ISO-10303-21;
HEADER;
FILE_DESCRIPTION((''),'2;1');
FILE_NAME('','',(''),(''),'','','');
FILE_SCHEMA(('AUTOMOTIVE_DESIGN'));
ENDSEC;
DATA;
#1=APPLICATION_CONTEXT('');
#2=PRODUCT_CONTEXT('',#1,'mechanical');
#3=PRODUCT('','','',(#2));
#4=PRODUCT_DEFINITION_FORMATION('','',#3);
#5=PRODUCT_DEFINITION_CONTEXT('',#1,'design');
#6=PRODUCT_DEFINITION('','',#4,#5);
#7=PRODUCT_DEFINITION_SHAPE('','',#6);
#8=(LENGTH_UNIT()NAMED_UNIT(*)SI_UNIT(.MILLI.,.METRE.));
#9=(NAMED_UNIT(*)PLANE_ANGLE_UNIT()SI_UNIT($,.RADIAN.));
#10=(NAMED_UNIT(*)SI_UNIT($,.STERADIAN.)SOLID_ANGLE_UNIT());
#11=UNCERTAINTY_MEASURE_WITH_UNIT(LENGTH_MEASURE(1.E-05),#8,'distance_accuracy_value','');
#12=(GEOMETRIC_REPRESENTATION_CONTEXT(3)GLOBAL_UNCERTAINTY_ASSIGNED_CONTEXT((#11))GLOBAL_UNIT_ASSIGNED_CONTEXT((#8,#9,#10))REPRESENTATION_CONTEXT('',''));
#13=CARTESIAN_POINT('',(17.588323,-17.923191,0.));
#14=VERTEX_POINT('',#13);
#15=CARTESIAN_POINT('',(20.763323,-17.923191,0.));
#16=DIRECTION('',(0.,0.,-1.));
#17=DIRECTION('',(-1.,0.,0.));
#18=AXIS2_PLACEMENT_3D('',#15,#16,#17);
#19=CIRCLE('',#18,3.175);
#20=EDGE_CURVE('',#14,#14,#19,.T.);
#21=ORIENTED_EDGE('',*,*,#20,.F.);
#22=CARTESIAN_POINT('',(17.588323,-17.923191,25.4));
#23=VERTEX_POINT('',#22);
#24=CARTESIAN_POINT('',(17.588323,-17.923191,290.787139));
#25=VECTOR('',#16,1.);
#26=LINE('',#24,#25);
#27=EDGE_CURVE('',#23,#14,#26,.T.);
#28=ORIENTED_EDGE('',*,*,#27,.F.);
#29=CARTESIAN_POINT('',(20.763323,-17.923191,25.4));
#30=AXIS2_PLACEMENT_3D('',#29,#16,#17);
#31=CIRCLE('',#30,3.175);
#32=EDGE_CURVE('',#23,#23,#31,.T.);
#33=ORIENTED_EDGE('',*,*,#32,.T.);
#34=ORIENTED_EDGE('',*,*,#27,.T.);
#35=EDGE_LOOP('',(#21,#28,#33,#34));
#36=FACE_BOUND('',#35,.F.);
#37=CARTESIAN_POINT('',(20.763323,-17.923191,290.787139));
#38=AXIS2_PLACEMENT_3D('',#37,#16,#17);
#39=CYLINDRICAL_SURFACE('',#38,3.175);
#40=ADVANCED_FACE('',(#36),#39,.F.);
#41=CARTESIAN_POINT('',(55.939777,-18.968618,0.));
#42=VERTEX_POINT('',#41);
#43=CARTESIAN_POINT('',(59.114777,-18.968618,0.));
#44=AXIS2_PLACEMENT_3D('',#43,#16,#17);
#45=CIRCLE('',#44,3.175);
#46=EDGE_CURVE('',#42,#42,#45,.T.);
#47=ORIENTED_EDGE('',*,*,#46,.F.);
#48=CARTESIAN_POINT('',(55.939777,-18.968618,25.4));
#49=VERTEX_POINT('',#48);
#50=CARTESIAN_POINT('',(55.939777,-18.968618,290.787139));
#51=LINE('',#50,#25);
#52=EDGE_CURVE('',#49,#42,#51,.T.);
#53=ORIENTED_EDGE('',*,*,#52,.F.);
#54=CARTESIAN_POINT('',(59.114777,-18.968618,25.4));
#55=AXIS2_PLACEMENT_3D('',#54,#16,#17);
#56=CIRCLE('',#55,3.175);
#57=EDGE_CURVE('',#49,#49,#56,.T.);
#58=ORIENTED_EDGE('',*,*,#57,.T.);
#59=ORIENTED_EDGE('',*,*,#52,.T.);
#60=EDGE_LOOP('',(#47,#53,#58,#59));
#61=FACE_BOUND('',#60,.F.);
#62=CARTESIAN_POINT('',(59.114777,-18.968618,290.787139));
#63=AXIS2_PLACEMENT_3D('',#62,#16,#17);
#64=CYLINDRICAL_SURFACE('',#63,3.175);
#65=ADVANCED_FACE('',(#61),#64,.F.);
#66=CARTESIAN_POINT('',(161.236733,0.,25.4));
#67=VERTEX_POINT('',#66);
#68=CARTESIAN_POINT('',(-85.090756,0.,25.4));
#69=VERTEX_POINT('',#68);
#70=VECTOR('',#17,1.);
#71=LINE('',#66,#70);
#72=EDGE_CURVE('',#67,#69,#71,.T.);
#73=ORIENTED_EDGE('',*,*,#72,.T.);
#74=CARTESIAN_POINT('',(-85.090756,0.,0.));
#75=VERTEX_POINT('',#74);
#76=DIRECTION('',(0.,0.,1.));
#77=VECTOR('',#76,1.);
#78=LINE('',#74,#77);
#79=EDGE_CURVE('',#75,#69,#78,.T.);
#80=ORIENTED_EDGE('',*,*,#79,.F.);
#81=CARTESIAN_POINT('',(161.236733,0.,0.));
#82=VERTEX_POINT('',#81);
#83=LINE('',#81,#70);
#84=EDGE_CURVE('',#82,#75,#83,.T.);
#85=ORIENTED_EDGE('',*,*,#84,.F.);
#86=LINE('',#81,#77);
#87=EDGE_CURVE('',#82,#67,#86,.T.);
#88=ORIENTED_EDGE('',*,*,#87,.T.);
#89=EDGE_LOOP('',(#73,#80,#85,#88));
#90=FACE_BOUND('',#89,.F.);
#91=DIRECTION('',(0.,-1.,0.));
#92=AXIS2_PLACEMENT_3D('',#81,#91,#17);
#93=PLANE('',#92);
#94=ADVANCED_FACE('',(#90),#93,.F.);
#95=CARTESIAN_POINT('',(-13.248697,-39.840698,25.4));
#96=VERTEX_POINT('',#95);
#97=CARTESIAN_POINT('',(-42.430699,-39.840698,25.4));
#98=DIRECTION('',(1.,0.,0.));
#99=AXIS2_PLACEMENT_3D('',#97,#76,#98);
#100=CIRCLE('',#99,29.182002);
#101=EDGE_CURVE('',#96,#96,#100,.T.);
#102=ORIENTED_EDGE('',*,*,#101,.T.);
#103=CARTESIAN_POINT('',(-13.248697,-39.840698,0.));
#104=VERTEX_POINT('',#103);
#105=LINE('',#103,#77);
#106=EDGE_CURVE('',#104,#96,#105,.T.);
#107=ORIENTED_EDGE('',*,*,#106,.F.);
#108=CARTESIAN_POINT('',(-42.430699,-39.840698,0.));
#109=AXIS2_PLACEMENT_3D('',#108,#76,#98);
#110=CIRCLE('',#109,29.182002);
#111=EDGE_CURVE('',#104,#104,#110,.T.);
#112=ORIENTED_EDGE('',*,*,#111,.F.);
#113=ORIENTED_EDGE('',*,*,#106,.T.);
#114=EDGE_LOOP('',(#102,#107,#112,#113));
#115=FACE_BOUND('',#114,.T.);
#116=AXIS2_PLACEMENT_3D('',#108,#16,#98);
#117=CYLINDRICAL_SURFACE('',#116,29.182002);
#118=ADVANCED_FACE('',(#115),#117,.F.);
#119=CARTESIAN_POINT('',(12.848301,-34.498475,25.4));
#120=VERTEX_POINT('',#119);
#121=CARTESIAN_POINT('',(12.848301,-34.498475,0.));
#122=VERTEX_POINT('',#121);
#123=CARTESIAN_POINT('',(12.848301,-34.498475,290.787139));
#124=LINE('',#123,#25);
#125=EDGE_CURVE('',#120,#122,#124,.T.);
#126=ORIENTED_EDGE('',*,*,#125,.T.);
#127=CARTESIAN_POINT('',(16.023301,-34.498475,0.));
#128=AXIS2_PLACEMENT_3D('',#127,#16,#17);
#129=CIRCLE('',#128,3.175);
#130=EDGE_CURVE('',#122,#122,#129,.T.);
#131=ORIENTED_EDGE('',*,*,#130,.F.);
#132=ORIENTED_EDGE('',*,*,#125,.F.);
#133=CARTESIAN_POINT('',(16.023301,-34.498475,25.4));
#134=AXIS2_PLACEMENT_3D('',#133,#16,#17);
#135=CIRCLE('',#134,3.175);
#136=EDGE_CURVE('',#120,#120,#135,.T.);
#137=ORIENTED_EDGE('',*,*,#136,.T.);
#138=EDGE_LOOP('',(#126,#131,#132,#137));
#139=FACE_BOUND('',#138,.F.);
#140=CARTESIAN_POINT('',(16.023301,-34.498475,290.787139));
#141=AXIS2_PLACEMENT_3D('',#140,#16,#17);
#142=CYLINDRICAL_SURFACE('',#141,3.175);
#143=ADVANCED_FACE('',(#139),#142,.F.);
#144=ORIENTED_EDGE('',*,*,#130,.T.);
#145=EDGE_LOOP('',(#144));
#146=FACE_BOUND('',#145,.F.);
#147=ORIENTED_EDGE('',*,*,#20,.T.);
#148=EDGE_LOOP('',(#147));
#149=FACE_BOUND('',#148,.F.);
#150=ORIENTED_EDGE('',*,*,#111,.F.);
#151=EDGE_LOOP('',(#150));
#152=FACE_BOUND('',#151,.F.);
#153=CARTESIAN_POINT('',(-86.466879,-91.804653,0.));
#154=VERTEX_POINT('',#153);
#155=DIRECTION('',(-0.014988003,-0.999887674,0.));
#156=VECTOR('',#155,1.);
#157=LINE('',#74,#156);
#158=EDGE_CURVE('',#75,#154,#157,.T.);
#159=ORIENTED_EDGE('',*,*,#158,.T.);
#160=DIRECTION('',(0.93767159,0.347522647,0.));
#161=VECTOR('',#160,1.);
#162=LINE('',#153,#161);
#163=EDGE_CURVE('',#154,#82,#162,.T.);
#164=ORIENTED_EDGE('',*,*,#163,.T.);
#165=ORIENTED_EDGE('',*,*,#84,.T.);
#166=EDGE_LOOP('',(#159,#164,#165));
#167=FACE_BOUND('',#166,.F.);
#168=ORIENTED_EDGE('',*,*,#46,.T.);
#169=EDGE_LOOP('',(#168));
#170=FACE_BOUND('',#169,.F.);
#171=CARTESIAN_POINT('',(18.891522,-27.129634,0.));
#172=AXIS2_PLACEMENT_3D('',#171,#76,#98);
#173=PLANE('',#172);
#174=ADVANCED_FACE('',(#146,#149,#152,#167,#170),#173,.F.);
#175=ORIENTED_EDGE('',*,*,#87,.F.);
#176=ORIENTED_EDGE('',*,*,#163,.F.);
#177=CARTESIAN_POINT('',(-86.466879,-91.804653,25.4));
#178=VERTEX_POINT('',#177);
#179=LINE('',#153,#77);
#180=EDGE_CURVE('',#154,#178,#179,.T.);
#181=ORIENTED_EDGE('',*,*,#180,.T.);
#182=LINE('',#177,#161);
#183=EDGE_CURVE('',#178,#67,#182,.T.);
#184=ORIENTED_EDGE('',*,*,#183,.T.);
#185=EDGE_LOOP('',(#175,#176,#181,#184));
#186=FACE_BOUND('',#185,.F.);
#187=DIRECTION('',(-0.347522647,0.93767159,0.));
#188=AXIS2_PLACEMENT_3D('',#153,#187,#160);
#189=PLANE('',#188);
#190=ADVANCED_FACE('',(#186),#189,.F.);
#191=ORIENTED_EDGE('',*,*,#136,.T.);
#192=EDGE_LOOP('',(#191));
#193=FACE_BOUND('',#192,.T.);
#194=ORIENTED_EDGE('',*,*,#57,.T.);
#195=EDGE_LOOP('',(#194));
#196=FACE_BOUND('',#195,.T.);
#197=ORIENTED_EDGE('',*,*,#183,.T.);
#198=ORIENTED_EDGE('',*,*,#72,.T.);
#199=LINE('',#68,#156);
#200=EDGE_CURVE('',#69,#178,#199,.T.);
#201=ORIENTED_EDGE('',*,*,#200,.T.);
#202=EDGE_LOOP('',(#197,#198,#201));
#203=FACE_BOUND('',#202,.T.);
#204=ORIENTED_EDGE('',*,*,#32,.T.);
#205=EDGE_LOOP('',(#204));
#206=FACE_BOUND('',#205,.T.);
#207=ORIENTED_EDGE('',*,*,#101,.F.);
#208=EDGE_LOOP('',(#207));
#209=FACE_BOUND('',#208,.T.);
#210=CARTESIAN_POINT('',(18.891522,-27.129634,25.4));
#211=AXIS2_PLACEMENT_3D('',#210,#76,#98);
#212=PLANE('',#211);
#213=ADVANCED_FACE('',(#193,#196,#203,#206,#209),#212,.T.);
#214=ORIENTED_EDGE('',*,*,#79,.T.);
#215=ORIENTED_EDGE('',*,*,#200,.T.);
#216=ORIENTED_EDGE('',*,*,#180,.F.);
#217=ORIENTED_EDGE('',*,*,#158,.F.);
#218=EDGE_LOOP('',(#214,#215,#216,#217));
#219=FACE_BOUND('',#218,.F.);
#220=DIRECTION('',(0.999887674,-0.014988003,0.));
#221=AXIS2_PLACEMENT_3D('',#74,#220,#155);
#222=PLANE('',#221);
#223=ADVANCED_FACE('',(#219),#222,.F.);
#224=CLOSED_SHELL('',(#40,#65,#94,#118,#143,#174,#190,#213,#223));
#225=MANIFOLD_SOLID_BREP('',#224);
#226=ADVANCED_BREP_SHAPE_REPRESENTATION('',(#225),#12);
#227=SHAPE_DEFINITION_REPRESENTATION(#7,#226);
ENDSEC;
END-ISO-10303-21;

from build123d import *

# Parameters (mm, degrees)
F0_R     = 29.182002
F1_DEPTH = 25.4
F3_D     = 6.35


with BuildPart() as f1:
    # F0 (on Top) → F1 (new body)
    with BuildSketch(Plane.XY):
        Polygon((161.236733, 0), (-85.090756, 0), (-86.466879, -91.804653), align=None)
        with Locations((-42.430699, -39.840698)):
            Circle(F0_R, mode=Mode.SUBTRACT)
    extrude(amount=F1_DEPTH)

    # F3 (through all)
    with Locations(Plane.XY.offset(25.4)):
        with Locations((20.763323, -17.923191), (16.023301, -34.498475), (59.114777, -18.968618)):
            Hole(F3_D / 2)


solid = f1.part
